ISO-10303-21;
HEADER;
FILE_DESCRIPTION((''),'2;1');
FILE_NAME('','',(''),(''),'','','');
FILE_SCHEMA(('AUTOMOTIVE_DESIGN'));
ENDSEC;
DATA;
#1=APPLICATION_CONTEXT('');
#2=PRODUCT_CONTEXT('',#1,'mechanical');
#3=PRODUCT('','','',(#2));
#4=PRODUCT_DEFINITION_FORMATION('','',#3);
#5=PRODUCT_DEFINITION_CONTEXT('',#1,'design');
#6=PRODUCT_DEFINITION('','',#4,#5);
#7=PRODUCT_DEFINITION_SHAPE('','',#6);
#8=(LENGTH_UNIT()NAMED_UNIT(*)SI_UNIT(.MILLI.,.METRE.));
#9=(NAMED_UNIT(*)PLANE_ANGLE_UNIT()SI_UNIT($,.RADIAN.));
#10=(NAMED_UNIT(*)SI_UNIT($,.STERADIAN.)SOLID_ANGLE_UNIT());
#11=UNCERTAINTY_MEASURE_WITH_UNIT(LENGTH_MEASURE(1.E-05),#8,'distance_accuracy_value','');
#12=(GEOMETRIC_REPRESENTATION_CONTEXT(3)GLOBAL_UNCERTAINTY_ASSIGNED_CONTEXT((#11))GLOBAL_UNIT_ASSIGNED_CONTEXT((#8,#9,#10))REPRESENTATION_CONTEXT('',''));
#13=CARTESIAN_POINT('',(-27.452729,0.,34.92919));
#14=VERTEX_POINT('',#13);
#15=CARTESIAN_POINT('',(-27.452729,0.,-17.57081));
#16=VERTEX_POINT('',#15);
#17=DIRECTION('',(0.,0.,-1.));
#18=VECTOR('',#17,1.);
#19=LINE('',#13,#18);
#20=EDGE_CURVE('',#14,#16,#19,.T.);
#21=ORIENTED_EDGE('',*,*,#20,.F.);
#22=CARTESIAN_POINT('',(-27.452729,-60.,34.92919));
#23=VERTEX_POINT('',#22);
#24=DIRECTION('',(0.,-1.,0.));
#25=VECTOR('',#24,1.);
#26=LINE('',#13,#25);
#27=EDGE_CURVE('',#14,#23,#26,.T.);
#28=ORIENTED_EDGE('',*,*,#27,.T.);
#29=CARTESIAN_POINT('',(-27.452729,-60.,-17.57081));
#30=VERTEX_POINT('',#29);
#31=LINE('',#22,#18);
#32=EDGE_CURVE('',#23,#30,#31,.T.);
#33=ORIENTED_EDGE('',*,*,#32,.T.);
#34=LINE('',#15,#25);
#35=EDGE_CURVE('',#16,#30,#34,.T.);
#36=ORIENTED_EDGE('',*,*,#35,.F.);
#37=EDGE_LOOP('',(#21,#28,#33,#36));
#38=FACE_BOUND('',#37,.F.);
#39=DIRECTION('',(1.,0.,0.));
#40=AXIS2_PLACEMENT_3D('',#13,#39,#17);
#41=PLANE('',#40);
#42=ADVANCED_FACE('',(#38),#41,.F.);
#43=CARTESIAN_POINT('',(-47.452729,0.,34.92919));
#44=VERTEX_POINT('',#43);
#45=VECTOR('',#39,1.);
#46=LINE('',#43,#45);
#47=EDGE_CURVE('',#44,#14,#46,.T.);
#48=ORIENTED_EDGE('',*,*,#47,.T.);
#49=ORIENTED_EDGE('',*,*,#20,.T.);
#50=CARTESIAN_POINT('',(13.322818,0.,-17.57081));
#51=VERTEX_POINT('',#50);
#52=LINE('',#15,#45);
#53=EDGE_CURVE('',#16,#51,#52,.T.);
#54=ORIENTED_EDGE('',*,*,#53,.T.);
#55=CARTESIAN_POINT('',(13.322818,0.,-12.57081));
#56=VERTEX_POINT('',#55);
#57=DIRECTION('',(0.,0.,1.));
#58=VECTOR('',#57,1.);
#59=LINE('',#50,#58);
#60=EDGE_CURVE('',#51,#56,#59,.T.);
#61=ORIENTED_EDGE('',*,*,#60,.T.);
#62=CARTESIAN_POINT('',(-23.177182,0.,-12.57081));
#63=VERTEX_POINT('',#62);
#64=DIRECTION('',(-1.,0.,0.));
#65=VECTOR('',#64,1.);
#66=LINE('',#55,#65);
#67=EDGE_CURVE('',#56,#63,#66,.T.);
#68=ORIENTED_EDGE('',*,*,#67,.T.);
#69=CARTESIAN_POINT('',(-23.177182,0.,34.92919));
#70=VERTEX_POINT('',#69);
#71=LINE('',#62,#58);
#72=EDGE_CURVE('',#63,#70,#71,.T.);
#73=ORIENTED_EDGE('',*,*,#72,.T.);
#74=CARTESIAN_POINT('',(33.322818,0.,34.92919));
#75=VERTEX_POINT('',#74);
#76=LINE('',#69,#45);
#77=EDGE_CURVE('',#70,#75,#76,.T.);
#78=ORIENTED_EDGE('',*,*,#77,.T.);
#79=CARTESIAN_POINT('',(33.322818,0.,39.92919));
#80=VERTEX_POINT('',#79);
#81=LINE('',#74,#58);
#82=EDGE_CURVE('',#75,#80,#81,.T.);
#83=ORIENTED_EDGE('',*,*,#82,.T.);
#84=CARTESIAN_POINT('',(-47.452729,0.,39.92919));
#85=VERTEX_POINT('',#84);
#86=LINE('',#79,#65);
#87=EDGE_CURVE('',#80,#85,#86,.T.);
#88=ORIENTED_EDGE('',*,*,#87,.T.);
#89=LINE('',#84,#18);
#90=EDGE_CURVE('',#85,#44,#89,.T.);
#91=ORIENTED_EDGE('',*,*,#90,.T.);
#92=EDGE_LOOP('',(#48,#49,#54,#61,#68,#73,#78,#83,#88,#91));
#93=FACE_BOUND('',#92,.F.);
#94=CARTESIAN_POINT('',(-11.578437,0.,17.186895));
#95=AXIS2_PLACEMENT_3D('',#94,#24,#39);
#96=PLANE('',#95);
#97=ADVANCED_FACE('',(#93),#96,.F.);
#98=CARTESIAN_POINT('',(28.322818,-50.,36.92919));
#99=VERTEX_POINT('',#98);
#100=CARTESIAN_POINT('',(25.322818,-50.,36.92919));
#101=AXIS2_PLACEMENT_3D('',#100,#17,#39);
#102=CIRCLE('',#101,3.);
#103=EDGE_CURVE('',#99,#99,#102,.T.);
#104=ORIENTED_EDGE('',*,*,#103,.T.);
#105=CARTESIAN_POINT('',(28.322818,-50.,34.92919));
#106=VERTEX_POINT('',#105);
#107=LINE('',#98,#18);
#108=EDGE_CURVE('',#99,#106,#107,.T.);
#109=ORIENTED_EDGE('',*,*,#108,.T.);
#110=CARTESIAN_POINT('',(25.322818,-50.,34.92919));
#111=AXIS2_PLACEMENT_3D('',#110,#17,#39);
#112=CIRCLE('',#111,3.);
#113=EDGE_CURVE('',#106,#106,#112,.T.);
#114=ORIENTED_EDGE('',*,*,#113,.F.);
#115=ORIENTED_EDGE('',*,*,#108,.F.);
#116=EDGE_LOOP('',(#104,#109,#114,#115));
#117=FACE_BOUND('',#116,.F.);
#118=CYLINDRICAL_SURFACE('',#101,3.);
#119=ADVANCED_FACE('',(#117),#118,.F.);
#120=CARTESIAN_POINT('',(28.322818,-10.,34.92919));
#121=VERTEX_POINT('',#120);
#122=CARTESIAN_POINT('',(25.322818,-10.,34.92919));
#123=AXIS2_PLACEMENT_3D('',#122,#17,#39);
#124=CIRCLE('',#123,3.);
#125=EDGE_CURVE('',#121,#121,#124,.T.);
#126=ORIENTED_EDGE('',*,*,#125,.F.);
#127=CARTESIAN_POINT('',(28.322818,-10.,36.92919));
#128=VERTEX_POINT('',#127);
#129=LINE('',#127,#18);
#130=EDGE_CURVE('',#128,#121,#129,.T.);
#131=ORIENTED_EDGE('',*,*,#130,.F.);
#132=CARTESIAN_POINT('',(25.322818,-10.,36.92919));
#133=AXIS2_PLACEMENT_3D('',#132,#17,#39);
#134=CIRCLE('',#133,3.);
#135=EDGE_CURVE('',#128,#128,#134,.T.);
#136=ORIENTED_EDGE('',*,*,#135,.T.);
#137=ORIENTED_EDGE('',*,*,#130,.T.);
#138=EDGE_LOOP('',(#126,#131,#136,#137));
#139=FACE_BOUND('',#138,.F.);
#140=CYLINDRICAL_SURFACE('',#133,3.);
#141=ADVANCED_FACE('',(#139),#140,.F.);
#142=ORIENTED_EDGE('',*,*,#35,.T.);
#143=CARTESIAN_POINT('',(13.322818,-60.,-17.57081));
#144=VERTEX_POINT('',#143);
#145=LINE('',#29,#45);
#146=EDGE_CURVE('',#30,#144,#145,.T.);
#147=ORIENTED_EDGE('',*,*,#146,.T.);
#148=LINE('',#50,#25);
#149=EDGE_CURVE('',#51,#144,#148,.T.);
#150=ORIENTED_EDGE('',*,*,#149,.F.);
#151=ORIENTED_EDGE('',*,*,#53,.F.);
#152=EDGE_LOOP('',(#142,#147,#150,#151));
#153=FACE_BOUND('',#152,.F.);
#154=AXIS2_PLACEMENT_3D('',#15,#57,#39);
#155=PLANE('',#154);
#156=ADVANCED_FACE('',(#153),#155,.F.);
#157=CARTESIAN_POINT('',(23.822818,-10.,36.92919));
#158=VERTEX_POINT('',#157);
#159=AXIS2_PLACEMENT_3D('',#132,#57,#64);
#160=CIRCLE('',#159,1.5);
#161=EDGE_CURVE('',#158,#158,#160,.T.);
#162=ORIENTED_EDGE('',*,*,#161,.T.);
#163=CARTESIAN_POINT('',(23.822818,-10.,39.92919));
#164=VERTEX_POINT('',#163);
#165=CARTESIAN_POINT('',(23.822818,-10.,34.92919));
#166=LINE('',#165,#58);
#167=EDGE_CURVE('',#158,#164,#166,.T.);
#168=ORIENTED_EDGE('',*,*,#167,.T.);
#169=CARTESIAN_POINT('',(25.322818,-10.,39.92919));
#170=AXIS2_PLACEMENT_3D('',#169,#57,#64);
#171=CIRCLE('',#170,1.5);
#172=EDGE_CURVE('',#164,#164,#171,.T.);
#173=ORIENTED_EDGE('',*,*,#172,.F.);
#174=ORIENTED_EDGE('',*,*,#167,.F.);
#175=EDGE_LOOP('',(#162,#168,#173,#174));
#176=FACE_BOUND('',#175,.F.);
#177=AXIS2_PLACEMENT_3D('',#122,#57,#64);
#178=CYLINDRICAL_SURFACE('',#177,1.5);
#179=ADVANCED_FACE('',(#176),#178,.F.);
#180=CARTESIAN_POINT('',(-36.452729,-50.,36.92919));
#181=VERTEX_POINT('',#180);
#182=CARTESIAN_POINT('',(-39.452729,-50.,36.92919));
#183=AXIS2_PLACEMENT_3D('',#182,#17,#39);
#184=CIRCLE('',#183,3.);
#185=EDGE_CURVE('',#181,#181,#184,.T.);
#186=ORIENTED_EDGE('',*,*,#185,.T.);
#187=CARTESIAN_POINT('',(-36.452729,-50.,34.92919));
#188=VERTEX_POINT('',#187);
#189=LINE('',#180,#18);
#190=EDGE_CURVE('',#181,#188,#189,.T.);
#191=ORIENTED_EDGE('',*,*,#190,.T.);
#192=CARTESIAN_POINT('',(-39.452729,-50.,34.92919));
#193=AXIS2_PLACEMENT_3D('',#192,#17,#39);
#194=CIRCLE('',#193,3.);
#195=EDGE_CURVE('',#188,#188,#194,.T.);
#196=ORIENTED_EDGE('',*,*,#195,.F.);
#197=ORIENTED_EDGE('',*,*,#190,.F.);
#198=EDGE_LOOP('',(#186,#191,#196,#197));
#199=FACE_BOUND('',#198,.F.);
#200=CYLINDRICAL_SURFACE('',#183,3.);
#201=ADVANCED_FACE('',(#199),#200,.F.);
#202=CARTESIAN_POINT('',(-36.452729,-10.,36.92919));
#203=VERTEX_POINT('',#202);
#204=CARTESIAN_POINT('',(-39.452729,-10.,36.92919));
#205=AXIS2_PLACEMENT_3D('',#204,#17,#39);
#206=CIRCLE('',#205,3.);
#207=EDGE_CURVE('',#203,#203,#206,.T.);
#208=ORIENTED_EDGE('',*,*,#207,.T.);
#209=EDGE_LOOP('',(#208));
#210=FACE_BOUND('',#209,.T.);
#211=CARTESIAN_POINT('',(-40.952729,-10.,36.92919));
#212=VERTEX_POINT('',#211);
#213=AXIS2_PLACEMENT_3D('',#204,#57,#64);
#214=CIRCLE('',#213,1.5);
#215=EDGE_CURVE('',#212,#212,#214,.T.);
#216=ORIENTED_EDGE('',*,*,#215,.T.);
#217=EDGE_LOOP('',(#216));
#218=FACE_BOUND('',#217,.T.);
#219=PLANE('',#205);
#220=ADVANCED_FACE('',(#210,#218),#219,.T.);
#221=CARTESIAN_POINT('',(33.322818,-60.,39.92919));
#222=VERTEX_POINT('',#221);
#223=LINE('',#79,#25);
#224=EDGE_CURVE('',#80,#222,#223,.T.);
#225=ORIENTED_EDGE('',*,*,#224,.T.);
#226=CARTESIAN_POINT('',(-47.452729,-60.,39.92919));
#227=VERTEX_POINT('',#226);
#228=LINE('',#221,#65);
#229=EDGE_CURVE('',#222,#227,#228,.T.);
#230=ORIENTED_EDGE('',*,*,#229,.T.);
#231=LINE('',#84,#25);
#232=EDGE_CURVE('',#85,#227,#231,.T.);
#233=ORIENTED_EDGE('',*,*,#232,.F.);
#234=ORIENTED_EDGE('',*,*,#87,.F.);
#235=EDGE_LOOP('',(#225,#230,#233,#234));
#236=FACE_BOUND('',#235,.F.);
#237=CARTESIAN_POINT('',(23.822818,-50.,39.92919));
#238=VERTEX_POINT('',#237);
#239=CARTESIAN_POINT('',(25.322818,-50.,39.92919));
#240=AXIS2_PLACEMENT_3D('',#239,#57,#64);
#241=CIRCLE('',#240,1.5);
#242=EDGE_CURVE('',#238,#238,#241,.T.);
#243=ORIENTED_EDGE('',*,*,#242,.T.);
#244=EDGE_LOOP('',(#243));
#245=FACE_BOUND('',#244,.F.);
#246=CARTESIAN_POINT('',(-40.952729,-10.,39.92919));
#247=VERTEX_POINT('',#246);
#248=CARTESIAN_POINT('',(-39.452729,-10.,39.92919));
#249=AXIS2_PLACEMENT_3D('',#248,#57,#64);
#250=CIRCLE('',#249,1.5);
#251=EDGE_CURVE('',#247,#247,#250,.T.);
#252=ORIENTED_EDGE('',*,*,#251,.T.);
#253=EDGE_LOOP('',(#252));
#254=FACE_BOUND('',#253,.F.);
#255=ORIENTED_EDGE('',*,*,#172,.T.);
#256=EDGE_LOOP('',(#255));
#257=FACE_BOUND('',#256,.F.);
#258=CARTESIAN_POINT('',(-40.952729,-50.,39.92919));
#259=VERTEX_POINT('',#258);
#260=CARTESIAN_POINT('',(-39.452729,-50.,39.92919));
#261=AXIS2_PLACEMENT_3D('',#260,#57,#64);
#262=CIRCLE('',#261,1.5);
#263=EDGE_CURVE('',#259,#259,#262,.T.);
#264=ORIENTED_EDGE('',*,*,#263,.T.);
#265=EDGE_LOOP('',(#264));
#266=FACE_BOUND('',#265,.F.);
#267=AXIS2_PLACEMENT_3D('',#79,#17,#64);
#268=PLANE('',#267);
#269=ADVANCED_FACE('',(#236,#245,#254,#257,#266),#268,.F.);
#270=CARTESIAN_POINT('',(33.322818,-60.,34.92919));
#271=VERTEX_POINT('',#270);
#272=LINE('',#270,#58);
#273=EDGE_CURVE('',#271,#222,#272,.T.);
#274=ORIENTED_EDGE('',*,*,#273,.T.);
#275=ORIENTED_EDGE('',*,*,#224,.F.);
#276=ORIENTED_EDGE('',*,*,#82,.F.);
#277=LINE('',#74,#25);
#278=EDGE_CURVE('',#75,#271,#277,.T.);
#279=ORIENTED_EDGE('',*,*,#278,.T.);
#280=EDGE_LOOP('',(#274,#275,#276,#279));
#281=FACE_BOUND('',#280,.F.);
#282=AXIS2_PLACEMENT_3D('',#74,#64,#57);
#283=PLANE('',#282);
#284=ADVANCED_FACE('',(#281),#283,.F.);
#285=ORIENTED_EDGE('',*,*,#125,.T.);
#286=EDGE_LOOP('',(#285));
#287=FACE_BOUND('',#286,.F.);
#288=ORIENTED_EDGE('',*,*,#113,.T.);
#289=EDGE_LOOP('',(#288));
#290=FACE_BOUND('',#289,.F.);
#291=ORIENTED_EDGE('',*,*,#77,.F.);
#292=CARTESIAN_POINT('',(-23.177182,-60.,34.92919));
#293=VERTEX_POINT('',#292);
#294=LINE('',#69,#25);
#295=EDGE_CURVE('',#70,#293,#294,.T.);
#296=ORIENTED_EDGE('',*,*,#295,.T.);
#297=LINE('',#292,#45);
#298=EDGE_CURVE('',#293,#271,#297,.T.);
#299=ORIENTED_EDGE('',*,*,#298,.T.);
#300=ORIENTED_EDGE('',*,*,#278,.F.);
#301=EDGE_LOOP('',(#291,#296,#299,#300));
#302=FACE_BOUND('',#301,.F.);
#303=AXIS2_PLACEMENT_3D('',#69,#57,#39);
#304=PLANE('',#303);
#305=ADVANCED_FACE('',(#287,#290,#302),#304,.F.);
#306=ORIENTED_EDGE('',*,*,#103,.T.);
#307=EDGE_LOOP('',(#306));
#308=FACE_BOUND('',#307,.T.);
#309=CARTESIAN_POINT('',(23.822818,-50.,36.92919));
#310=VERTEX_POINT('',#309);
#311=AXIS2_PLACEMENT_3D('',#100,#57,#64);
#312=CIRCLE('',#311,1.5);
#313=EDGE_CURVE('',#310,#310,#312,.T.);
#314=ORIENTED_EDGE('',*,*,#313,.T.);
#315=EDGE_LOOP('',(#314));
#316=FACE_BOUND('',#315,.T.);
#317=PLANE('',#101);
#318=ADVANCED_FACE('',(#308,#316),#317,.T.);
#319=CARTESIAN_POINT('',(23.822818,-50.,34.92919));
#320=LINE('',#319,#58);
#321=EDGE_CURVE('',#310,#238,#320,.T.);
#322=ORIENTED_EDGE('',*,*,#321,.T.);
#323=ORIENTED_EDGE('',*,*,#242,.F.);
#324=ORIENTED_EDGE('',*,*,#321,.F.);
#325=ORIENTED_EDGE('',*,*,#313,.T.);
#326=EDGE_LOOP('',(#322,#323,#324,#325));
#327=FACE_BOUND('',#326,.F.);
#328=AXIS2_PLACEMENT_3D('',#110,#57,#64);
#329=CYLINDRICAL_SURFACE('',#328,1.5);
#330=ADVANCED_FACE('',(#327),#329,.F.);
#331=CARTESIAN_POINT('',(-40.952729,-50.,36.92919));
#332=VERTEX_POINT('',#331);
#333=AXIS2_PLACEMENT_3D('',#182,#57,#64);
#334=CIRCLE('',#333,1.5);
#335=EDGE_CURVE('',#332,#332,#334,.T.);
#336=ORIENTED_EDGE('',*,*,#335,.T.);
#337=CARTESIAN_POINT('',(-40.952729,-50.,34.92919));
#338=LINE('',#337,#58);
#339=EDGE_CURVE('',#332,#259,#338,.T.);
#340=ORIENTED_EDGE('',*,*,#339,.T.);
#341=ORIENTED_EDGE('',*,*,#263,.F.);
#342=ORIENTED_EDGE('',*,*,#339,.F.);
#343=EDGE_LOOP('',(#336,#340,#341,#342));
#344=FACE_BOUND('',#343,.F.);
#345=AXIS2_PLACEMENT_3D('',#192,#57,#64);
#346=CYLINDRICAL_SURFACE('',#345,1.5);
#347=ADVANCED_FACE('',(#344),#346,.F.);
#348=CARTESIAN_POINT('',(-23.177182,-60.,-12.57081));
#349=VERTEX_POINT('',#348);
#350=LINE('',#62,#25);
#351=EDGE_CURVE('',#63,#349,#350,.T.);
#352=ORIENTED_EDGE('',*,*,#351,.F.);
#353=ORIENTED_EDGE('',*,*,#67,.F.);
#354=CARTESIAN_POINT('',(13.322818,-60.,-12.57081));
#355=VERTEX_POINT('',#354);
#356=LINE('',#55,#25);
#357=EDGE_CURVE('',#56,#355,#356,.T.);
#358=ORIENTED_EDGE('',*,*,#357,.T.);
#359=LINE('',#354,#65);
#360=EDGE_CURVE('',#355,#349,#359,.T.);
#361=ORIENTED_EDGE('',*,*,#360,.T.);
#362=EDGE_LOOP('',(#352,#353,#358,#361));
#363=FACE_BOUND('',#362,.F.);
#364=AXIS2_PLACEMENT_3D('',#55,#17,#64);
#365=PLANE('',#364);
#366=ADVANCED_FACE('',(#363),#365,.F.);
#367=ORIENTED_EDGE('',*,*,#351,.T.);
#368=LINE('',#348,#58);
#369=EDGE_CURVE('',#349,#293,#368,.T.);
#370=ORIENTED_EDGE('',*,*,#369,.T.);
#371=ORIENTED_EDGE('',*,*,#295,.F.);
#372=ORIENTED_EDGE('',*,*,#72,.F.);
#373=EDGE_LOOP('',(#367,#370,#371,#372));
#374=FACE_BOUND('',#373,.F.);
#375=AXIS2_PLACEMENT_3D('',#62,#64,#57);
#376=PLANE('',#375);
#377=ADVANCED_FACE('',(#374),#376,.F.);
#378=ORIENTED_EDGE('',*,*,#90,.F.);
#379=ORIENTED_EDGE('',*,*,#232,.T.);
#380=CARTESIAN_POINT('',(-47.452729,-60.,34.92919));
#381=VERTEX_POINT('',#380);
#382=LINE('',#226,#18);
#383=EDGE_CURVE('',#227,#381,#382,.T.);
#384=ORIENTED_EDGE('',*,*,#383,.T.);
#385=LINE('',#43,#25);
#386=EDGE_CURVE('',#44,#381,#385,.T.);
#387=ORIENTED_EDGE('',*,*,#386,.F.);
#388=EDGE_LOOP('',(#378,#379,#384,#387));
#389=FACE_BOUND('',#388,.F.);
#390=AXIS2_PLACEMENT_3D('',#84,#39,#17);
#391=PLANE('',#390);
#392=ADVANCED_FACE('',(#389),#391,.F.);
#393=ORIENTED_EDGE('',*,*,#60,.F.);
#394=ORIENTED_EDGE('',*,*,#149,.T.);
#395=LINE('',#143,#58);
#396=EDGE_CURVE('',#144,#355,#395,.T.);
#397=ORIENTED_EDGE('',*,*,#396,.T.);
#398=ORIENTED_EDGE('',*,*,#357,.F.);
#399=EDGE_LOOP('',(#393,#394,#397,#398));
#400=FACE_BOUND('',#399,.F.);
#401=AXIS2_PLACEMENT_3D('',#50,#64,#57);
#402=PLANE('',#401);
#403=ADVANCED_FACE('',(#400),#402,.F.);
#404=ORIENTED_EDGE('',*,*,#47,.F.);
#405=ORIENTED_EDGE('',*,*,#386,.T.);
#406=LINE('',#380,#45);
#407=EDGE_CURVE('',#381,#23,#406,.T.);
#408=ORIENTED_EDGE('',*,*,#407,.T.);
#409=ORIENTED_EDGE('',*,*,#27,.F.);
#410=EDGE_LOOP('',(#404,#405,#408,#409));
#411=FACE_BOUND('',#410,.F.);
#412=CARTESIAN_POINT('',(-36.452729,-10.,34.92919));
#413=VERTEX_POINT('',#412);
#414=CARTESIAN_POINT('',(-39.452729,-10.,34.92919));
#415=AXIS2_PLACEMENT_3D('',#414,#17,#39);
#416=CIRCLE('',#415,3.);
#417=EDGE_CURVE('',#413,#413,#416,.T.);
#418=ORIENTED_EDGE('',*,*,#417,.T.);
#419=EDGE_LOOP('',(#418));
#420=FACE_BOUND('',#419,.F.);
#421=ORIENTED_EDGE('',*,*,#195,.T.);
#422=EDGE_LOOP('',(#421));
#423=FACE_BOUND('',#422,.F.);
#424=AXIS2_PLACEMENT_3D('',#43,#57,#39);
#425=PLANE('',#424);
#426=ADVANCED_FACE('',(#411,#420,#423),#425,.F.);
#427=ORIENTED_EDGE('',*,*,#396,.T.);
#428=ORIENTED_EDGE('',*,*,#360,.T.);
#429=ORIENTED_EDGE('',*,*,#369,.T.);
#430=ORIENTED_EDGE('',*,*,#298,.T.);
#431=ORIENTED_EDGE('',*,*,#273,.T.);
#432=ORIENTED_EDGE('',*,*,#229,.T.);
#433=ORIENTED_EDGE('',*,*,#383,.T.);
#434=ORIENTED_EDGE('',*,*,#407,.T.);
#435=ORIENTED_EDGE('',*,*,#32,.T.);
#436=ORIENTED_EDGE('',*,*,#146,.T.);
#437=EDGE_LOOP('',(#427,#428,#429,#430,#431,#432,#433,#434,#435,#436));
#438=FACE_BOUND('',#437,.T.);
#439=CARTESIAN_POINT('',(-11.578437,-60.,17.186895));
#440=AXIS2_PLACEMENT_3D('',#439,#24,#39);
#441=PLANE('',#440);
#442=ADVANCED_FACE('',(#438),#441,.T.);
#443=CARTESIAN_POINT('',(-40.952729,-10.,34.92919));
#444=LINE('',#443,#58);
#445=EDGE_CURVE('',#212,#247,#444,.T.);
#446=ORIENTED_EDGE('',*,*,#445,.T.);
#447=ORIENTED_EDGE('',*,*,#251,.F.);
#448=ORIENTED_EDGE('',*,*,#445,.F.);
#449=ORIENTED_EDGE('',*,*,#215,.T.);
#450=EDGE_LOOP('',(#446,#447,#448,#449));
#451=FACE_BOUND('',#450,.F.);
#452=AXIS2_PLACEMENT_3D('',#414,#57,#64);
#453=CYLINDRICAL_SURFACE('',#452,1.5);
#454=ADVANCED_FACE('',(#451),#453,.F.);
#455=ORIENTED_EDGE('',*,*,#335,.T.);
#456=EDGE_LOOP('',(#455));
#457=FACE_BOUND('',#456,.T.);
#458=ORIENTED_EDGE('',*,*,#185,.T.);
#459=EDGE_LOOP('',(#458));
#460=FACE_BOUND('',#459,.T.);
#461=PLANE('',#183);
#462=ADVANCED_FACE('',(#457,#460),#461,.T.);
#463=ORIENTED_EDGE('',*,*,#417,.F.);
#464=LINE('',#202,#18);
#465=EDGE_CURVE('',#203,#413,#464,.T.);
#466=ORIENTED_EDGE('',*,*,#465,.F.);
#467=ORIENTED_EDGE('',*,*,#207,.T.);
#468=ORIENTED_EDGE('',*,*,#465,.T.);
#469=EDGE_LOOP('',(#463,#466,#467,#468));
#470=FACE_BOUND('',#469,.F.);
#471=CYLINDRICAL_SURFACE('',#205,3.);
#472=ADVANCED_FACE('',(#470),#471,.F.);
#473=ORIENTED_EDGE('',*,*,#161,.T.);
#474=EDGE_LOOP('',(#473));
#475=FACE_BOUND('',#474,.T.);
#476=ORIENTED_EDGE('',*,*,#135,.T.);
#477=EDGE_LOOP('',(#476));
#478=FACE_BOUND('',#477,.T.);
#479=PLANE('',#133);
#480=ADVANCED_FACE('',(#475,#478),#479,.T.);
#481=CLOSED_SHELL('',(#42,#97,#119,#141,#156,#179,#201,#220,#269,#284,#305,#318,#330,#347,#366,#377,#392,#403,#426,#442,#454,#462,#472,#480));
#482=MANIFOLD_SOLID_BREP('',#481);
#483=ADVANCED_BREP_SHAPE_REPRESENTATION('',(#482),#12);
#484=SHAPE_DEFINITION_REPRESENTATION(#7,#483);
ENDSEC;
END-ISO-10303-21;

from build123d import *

# Parameters (mm, degrees)
F1_DEPTH       = 60
F3_D           = 3
F3_DEPTH       = 8
F3_CBORE_D     = 6
F3_CBORE_DEPTH = 2


with BuildPart() as f1:
    # F0 (on Front) → F1 (new body)
    with BuildSketch(Plane.XZ):
        Polygon((-27.452729, -12.57081), (-27.452729, -17.57081), (13.322818, -17.57081), (13.322818, -12.57081), (-23.177182, -12.57081), (-23.177182, 34.92919), (13.322818, 34.92919), (33.322818, 34.92919), (33.322818, 39.92919), (13.322818, 39.92919), (-27.452729, 39.92919), (-47.452729, 39.92919), (-47.452729, 34.92919), (-27.452729, 34.92919), align=None)
    extrude(amount=F1_DEPTH)

    # F3
    with Locations(Plane(origin=(0, 0, 34.92919), x_dir=(1, 0, 0), z_dir=(0, 0, -1))):
        with Locations((25.322818, 50), (25.322818, 10), (-39.452729, 10), (-39.452729, 50)):
            CounterBoreHole(F3_D / 2, F3_CBORE_D / 2, F3_CBORE_DEPTH, depth=F3_DEPTH)


solid = f1.part
